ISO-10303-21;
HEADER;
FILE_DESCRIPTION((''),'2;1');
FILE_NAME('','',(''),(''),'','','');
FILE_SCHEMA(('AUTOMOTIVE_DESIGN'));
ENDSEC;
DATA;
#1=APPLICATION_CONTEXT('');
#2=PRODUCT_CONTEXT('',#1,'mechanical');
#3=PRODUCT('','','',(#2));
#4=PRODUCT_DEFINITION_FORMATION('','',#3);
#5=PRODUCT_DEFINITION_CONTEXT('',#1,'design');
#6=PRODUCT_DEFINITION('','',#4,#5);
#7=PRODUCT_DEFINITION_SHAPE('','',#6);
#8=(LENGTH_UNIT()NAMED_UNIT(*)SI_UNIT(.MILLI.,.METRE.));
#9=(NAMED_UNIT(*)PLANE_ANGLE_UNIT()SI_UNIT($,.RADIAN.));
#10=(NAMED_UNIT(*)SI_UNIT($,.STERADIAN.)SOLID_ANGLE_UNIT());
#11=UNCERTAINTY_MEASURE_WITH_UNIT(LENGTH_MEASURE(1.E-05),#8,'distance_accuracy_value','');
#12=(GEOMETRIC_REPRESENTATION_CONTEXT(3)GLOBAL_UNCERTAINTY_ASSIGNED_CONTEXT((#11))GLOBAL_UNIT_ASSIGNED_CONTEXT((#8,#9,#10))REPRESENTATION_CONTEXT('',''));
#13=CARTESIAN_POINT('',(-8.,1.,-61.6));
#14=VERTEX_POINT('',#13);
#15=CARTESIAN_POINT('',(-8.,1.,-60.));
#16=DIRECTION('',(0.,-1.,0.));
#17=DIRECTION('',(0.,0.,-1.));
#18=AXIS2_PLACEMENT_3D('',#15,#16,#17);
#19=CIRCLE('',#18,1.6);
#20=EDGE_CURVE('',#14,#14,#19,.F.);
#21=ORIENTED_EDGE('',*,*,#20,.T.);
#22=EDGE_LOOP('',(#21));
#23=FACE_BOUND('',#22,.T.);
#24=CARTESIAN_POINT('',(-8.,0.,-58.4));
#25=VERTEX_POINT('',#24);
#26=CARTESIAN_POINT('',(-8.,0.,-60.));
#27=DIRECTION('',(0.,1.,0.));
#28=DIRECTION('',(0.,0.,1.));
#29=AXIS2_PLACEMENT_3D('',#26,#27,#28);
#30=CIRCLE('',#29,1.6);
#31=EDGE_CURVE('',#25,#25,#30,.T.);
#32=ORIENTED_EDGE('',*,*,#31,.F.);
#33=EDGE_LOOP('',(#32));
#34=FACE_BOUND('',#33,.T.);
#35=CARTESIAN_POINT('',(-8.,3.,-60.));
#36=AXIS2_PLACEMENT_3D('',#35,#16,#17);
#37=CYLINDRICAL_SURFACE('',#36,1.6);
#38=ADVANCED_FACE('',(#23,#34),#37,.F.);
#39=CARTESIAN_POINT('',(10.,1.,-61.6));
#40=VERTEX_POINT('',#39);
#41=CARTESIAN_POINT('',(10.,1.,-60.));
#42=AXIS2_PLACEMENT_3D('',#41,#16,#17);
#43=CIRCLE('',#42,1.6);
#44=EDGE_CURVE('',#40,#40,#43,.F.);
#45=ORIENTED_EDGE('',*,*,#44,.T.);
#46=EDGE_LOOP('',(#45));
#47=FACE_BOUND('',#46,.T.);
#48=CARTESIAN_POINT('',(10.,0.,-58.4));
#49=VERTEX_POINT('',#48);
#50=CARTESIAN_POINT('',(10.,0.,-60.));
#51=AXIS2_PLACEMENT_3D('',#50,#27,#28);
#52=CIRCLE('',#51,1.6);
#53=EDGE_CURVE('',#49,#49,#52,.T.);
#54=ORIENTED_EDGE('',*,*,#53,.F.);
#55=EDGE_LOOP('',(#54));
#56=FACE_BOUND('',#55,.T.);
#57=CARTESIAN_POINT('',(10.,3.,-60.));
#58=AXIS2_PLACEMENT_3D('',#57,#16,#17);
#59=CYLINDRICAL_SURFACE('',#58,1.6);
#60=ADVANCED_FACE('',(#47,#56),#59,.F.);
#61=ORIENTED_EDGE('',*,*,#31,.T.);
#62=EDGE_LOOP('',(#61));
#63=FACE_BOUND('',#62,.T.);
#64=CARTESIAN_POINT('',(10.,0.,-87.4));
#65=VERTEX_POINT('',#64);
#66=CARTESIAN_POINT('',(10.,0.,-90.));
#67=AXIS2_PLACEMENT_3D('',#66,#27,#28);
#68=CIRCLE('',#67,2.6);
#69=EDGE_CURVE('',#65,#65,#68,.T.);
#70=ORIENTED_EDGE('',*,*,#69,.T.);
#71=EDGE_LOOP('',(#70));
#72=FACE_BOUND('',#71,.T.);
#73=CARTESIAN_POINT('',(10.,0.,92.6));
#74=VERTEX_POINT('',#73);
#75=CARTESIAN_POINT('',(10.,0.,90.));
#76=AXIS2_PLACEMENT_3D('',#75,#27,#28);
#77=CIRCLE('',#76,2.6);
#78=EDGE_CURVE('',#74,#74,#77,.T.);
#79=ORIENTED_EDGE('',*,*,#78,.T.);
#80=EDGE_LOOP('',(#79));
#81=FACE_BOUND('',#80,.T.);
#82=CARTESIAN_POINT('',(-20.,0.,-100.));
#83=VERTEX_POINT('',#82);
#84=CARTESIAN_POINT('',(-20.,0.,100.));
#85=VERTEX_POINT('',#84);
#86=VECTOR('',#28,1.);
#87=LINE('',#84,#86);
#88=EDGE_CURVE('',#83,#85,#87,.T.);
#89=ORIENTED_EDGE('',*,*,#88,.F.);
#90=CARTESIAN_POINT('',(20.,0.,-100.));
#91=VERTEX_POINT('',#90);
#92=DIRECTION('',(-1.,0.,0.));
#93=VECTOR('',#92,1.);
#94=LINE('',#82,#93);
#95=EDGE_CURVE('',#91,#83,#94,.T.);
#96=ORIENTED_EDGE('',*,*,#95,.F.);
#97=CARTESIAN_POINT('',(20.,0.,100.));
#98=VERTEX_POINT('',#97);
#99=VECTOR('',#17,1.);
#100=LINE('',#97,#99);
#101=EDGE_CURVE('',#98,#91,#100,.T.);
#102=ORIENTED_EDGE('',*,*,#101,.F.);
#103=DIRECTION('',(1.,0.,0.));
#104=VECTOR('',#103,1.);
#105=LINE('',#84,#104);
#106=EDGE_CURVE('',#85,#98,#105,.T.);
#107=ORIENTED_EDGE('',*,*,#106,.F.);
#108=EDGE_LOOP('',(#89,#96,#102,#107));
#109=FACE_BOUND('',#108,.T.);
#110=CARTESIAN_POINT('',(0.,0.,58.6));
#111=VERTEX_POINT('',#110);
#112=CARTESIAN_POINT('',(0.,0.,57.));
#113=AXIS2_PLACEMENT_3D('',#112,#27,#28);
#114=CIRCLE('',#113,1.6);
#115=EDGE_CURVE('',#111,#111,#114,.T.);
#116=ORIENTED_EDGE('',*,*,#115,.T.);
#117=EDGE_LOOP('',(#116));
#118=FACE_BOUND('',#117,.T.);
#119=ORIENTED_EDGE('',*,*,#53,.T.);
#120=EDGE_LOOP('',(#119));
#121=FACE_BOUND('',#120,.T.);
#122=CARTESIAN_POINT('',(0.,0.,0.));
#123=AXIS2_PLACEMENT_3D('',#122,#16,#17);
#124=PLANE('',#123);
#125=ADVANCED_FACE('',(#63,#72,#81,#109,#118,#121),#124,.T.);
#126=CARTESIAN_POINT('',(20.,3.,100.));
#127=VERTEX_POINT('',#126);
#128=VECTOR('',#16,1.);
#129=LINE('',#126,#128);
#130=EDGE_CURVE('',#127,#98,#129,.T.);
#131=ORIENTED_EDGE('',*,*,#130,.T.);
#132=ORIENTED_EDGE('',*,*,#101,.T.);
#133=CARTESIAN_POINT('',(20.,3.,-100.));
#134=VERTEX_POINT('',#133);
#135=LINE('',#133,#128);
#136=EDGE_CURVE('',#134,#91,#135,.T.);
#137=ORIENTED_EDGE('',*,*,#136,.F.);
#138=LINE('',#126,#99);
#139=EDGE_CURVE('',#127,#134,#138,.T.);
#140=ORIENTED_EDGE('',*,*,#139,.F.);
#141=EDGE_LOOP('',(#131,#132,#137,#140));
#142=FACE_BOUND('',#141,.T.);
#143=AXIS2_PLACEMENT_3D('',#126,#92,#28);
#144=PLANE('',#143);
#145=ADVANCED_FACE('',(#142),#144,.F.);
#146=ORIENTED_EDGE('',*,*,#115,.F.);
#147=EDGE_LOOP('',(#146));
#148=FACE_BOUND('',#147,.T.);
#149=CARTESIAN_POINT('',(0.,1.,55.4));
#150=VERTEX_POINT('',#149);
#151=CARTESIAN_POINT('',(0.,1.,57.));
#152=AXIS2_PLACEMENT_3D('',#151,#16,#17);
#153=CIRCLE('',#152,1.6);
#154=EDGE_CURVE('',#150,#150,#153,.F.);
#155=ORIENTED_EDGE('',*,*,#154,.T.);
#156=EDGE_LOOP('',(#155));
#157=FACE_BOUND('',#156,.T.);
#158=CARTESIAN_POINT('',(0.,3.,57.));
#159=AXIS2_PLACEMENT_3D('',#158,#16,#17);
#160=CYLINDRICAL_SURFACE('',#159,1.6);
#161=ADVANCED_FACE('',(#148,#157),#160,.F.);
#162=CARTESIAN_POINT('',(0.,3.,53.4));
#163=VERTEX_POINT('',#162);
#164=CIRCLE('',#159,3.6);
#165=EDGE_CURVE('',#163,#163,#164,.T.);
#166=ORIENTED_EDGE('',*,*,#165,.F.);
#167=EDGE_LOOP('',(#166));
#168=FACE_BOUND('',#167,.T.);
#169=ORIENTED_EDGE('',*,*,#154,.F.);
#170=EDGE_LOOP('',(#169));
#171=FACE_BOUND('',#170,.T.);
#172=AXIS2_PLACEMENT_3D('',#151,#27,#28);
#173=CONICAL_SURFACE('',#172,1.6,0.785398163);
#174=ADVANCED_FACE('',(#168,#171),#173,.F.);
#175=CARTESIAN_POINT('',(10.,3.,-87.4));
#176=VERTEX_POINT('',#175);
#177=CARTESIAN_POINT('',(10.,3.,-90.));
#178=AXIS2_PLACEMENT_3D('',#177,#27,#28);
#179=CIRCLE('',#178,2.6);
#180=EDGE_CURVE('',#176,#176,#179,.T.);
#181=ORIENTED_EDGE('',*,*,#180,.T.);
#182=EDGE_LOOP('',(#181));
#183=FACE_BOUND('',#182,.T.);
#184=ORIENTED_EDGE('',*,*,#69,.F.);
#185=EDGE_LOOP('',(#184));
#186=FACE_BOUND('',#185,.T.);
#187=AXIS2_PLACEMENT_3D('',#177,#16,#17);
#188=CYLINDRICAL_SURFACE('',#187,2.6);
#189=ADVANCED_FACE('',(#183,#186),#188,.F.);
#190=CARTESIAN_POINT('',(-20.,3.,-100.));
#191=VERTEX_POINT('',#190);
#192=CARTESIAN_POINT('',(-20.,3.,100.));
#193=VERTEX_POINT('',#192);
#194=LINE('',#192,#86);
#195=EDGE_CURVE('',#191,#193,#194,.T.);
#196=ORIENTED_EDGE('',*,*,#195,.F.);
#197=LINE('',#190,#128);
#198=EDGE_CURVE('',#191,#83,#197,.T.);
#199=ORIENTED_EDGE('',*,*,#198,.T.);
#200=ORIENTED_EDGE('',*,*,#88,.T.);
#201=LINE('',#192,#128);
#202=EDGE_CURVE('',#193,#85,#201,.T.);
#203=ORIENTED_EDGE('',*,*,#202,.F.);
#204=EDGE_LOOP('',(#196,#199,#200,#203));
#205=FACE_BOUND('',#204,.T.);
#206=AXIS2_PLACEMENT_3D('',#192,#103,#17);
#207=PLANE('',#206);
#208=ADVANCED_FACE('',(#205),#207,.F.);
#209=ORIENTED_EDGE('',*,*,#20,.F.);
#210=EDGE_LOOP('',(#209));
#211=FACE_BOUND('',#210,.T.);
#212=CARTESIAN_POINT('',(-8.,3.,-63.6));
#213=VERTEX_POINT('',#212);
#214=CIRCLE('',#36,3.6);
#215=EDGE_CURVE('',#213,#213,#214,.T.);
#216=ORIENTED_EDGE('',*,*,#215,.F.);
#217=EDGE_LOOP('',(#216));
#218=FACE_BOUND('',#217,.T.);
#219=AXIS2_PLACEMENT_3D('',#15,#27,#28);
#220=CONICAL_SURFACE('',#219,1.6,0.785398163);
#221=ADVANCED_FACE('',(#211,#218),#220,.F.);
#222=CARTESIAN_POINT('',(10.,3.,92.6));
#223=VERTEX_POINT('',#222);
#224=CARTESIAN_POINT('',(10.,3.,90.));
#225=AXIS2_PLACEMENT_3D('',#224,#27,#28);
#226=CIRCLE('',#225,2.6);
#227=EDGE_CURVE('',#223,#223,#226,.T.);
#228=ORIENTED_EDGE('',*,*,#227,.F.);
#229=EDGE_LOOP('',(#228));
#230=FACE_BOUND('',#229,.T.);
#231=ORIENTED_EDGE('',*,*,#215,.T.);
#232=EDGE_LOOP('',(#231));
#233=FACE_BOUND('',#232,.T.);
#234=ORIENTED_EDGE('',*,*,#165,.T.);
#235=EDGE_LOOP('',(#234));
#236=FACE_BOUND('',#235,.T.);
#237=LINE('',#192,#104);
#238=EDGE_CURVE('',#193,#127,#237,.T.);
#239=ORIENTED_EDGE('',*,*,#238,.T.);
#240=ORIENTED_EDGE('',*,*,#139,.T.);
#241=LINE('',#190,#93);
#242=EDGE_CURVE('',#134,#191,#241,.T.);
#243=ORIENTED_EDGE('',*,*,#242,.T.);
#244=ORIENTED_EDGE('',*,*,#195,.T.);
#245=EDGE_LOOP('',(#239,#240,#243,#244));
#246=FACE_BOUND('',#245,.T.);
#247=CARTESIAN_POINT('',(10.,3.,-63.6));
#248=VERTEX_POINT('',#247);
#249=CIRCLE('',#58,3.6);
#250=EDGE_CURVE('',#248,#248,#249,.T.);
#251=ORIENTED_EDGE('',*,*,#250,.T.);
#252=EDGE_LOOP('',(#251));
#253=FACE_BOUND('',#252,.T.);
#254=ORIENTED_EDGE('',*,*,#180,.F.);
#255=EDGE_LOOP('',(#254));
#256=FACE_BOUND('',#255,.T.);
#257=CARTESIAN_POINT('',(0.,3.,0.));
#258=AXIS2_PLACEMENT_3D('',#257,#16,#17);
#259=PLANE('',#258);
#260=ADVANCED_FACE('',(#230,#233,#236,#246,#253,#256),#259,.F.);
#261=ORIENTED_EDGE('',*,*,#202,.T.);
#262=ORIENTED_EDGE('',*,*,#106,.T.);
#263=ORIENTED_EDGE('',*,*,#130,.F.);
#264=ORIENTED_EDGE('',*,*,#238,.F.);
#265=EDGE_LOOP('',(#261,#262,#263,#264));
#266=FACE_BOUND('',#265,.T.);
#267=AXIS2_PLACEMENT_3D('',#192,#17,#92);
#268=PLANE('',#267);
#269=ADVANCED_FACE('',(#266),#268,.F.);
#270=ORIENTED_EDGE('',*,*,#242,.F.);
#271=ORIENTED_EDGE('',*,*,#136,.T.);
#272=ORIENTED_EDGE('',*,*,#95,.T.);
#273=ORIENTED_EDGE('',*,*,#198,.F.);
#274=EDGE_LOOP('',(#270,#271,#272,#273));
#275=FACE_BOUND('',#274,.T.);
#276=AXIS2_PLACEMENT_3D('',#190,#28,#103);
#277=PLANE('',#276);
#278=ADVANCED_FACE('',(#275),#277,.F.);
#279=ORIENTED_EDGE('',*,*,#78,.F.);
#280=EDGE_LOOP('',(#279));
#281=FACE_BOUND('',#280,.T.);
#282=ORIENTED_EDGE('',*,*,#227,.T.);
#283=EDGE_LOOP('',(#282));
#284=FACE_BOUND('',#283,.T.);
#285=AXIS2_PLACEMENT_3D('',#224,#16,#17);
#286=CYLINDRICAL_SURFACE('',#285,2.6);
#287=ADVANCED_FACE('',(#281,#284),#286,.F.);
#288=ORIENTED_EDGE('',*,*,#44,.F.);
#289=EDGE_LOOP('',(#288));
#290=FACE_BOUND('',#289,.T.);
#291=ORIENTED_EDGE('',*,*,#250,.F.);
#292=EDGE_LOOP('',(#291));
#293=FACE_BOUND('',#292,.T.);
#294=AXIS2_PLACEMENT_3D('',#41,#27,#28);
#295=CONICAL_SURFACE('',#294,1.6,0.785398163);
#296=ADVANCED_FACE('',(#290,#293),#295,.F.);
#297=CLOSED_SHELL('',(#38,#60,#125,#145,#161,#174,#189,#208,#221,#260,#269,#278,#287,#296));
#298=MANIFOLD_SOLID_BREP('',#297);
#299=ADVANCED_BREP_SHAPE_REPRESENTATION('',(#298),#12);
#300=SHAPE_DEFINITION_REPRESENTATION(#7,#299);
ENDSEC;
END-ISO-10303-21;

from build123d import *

# Parameters (mm, degrees)
SKETCH1_W           = 40
SKETCH1_H           = 200
SKETCH1_R           = 2.6
SKETCH1_R_2         = 1.6
BOSS_EXTRUDE1_DEPTH = 3
CHAMFER1_SIZE       = 2


with BuildPart() as part:
    # Sketch1 → Boss-Extrude1 (new body)
    with BuildSketch(Plane(origin=(0, 0, 0), x_dir=(1, 0, 0), z_dir=(0, 1, 0))):
        Rectangle(SKETCH1_W, SKETCH1_H)
        with Locations((10, -90)):
            Circle(SKETCH1_R, mode=Mode.SUBTRACT)
        with Locations((10, 90)):
            Circle(SKETCH1_R, mode=Mode.SUBTRACT)
        with Locations((10, 60)):
            Circle(SKETCH1_R_2, mode=Mode.SUBTRACT)
        with Locations((-8, 60)):
            Circle(SKETCH1_R_2, mode=Mode.SUBTRACT)
        with Locations((0, -57)):
            Circle(SKETCH1_R_2, mode=Mode.SUBTRACT)
    extrude(amount=BOSS_EXTRUDE1_DEPTH)

    # Chamfer1
    chamfer1_edges = [part.edges().sort_by_distance(p)[0] for p in [
        (8.4, 3, -60),
        (-9.6, 3, -60),
        (-1.6, 3, 57),
    ]]
    chamfer(chamfer1_edges, length=CHAMFER1_SIZE)


solid = part.part
